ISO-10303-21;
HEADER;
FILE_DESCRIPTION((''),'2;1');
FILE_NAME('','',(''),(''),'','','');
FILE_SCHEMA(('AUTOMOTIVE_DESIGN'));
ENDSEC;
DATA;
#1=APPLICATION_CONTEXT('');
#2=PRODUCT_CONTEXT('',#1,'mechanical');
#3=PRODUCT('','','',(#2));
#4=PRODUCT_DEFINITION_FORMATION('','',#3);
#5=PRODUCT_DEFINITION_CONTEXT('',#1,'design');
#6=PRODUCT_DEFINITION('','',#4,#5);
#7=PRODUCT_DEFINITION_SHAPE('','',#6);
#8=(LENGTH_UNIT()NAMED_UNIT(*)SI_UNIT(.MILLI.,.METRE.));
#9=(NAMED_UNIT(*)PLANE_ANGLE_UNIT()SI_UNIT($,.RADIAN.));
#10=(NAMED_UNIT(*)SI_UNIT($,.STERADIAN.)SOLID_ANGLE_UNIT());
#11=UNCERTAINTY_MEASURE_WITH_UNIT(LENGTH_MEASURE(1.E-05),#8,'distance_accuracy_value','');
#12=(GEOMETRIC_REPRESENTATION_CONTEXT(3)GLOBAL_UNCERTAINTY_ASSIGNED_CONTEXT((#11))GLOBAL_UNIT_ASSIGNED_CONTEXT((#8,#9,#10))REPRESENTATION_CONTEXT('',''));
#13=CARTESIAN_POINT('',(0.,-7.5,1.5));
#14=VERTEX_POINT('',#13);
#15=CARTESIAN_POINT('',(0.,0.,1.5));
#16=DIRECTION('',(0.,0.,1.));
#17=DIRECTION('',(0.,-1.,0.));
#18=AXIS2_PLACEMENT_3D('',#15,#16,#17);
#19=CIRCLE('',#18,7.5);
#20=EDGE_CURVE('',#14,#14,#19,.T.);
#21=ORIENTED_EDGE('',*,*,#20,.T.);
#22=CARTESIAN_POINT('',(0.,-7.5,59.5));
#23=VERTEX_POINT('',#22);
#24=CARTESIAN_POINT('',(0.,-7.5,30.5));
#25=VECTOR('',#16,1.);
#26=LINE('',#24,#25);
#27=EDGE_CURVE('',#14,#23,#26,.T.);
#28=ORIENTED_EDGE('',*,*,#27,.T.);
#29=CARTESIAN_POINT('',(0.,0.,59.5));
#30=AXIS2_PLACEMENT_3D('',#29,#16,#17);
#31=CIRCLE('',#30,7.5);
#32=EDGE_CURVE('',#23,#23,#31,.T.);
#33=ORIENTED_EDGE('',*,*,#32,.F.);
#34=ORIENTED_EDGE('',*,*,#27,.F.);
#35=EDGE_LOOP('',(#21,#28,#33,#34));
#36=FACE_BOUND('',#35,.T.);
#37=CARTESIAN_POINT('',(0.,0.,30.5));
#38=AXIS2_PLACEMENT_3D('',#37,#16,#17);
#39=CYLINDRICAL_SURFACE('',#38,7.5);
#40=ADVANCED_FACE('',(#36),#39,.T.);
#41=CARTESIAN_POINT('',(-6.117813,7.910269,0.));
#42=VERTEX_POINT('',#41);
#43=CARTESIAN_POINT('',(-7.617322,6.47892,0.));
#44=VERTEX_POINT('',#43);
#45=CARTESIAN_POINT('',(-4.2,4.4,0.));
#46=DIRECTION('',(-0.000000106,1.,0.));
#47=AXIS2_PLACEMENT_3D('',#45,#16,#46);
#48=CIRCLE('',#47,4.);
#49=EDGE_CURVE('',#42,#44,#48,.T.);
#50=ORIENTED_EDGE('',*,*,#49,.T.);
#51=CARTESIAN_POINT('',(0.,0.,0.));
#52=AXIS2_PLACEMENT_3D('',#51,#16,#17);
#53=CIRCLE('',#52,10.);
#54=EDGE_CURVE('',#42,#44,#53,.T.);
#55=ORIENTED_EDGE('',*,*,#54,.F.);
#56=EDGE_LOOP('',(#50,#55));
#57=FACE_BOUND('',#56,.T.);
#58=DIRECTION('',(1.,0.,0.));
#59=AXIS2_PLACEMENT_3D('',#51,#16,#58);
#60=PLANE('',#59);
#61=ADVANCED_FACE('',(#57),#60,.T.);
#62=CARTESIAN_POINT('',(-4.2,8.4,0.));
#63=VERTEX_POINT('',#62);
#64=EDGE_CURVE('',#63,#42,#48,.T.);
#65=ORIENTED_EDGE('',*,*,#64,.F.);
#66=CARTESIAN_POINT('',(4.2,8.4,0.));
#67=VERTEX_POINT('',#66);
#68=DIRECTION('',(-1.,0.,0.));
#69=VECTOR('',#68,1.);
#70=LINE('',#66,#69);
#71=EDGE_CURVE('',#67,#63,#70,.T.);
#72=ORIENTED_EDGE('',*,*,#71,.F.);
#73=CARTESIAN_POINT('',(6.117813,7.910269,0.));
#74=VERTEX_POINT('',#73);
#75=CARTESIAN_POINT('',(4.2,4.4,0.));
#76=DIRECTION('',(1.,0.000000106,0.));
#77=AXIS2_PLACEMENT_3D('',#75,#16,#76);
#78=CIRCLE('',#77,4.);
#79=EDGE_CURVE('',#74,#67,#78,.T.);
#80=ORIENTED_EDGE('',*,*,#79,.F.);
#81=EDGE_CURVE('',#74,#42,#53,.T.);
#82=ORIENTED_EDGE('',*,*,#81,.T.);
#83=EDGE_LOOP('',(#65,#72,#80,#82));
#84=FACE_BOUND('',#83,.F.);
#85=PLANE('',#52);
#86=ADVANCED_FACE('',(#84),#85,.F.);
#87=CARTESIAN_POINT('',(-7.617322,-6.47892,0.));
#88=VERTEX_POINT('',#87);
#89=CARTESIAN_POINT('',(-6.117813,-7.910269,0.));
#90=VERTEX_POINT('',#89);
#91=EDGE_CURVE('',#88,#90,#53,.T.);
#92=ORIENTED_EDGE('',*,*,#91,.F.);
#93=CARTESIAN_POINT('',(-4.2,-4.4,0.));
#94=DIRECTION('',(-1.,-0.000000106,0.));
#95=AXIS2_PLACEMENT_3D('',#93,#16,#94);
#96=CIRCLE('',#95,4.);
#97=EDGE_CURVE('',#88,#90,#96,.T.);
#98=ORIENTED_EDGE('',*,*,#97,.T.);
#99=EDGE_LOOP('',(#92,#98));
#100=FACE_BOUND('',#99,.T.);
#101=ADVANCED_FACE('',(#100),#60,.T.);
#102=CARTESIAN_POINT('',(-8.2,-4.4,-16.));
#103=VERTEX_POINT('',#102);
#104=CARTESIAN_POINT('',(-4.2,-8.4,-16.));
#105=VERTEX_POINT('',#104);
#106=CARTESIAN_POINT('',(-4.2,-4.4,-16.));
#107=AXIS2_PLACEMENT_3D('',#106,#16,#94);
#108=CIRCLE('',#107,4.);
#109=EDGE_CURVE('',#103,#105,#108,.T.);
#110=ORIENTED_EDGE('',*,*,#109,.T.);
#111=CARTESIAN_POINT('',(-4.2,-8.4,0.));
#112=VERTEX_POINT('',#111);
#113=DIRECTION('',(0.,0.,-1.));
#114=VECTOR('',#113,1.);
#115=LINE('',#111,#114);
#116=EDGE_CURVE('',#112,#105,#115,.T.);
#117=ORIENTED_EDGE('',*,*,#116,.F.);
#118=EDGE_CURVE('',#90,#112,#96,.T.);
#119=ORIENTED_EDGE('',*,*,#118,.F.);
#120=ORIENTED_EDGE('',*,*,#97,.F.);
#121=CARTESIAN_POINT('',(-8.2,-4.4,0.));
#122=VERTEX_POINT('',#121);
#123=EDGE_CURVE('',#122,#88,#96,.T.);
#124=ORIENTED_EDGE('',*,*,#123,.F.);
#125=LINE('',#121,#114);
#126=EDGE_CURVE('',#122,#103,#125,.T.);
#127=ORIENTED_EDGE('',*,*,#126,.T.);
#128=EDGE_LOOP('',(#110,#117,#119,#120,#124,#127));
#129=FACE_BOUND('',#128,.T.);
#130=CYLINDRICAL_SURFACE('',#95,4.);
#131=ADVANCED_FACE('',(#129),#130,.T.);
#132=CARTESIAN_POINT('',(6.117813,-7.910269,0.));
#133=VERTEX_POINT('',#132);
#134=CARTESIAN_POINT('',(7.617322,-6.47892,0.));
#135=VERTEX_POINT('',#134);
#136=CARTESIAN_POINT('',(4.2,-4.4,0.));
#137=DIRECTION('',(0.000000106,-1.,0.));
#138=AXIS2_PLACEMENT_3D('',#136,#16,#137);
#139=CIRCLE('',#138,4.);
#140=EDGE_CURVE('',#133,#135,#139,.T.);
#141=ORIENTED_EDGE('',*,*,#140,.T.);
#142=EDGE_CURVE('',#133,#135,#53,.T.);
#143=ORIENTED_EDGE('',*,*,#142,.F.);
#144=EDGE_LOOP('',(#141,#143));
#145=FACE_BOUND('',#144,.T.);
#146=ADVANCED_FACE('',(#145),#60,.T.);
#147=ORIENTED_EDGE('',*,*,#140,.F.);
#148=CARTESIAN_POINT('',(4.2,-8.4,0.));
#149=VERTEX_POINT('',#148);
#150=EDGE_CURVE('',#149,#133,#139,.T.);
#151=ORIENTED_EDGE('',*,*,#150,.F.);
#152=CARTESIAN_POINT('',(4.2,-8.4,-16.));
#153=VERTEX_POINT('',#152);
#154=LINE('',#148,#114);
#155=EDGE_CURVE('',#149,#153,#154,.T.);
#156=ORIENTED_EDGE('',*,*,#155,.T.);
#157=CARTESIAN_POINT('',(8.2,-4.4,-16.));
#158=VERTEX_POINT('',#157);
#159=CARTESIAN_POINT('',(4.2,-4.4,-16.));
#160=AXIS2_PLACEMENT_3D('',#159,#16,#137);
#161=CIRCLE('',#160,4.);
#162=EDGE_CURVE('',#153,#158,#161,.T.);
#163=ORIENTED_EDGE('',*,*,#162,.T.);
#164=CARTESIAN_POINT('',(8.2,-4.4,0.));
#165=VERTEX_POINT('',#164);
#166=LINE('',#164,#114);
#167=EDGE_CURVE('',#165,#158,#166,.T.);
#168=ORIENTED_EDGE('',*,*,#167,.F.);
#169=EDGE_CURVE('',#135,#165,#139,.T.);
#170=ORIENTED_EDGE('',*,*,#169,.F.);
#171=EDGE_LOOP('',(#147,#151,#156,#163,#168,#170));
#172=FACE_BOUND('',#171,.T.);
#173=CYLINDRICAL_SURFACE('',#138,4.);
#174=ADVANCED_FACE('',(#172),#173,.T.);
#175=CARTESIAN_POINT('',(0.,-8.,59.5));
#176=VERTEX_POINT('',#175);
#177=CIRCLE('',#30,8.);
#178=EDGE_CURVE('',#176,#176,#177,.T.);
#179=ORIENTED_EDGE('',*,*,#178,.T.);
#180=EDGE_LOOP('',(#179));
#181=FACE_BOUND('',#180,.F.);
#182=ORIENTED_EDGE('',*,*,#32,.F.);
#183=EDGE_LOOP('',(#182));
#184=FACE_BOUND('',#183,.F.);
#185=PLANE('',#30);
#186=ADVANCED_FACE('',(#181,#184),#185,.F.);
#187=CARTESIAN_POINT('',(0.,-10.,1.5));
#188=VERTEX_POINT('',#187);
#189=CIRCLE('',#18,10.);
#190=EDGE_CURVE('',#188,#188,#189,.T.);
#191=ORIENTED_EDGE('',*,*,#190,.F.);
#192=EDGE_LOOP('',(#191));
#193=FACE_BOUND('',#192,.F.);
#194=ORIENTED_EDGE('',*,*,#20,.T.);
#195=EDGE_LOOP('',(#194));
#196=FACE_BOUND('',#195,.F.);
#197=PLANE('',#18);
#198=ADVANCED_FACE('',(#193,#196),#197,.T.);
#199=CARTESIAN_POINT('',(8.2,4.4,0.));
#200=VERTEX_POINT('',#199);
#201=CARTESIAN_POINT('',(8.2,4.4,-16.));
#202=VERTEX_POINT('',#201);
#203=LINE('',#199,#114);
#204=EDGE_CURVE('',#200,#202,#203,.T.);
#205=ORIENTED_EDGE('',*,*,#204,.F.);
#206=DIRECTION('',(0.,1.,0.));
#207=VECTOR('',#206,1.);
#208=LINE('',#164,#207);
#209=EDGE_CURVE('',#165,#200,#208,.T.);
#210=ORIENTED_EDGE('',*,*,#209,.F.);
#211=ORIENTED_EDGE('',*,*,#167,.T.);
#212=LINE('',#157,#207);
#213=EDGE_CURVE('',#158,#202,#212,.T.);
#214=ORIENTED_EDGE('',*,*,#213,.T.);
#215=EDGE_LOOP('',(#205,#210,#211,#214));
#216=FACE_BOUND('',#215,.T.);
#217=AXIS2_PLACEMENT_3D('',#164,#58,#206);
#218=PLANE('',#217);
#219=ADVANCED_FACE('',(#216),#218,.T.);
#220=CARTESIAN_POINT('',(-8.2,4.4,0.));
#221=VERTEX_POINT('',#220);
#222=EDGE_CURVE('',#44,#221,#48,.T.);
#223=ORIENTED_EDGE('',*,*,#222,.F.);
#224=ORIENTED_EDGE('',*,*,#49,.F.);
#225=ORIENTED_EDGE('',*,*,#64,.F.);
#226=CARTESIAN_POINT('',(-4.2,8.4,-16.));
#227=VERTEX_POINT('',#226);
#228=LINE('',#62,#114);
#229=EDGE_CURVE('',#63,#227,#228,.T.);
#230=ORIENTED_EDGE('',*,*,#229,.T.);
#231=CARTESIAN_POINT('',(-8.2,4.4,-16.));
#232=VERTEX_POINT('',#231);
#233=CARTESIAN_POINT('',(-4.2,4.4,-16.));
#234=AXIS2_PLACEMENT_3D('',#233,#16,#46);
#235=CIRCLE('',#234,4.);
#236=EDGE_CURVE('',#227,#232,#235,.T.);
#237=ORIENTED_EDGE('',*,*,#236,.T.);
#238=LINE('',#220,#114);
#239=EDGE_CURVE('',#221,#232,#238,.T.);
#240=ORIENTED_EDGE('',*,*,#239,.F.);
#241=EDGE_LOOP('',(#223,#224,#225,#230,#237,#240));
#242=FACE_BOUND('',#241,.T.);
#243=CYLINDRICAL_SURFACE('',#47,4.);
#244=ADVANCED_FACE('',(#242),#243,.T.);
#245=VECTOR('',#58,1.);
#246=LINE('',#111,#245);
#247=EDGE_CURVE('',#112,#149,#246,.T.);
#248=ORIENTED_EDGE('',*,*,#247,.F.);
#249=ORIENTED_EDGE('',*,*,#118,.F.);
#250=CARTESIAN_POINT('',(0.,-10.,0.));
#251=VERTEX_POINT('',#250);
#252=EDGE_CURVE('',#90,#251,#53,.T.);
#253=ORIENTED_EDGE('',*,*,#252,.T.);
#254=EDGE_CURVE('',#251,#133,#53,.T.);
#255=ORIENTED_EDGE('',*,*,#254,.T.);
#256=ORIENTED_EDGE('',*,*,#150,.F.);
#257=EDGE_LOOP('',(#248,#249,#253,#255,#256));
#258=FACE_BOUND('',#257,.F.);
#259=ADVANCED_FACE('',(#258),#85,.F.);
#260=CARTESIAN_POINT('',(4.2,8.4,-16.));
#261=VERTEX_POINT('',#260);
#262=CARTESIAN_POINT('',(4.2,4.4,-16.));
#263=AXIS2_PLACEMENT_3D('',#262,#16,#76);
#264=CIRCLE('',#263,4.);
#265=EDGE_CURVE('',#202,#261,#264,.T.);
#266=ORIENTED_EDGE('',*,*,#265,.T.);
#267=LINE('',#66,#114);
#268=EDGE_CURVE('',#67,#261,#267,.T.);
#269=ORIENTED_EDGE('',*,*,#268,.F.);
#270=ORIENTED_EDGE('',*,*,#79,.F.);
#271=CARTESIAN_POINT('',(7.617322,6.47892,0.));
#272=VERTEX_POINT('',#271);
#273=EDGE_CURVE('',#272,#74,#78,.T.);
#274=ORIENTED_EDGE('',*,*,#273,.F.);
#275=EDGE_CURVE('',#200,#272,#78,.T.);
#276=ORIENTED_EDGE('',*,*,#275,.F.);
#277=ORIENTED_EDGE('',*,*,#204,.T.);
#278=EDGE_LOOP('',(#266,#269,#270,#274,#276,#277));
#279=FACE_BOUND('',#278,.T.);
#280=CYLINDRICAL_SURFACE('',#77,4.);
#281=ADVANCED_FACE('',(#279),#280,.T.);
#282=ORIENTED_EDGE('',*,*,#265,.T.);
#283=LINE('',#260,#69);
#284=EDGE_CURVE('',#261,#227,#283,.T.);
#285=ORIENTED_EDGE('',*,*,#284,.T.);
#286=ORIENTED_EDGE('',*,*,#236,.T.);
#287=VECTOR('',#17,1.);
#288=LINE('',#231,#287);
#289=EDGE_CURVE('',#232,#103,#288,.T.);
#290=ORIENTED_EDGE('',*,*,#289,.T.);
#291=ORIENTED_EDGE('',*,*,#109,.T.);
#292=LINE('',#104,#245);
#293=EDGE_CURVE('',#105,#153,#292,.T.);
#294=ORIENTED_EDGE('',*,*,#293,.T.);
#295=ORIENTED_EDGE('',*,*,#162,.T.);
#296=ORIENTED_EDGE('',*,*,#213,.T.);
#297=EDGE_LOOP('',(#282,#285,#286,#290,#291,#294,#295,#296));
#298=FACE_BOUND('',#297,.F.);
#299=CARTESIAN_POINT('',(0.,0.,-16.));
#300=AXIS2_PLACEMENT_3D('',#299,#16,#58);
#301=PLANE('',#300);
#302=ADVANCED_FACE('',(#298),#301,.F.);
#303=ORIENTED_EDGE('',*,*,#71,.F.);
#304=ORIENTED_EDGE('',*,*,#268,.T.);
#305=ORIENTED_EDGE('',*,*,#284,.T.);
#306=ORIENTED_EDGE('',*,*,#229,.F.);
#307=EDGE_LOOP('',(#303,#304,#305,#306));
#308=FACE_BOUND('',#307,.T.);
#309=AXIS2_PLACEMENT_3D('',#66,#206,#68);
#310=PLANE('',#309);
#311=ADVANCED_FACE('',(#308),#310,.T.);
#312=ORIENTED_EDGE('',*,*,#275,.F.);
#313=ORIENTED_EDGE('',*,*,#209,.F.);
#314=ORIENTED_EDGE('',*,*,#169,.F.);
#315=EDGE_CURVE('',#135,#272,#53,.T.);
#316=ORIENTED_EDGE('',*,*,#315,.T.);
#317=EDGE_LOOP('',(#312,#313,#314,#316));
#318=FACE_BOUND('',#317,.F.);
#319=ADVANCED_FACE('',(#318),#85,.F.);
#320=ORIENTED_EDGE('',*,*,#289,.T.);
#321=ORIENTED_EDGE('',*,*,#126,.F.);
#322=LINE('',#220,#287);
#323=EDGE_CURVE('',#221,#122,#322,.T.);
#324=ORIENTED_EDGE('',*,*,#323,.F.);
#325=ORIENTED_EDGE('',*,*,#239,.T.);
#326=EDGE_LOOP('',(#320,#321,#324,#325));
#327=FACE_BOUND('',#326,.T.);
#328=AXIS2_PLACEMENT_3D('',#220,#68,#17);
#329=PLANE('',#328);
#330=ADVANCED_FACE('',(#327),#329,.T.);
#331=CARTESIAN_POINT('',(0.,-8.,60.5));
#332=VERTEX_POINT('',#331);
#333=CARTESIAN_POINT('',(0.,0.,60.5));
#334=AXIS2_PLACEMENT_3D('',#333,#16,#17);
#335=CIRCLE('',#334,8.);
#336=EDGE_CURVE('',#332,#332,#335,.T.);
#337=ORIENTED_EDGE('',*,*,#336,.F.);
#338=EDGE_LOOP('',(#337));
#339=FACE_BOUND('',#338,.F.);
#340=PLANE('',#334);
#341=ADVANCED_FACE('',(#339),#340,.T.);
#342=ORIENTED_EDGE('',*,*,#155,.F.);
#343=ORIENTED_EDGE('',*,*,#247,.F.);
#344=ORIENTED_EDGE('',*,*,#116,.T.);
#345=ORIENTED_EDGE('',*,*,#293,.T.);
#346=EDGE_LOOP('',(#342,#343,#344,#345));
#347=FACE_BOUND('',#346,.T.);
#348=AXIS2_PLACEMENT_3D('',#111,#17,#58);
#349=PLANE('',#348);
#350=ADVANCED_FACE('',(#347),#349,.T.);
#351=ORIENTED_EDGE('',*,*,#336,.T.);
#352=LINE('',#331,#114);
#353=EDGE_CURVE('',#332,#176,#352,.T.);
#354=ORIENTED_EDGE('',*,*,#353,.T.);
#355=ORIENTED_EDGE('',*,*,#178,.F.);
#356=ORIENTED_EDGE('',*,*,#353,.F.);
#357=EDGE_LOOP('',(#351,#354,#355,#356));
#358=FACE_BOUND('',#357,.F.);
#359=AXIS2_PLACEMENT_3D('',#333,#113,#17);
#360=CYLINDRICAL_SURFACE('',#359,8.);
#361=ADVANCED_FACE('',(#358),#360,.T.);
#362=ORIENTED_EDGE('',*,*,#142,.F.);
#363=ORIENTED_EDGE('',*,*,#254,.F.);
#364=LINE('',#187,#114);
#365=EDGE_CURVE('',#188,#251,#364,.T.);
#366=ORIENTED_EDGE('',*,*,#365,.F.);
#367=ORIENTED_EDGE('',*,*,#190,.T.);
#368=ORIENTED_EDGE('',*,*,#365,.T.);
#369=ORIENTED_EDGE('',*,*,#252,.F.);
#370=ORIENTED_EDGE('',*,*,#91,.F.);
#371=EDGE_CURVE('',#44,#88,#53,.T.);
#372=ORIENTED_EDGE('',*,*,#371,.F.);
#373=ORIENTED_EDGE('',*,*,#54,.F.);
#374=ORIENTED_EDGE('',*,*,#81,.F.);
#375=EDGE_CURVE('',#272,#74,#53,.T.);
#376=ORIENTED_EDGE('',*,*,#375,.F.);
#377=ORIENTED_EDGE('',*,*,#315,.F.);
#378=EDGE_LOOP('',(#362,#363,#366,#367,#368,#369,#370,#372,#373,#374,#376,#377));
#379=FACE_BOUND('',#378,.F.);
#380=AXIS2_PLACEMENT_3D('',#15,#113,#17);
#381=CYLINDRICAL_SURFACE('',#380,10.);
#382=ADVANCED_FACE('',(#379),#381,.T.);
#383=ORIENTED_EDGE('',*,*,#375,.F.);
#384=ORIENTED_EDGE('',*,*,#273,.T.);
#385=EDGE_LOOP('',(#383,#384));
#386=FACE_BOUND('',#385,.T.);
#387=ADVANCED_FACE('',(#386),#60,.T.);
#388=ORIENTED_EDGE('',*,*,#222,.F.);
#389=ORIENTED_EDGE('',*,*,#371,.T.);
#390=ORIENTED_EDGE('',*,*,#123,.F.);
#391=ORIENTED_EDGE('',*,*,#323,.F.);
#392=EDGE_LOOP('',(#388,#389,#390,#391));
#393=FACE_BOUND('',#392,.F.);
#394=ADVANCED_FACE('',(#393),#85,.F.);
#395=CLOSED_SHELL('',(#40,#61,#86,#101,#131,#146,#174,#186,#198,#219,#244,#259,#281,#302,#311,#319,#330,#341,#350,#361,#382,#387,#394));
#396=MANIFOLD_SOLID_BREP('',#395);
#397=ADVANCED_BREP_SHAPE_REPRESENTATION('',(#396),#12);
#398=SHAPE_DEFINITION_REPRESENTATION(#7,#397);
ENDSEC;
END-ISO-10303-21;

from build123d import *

# Parameters (mm, degrees)
F1_DEPTH = 16
F2_W     = 7.5
F2_H     = 58


with BuildPart() as f1:
    # F0 (on Top) → F1 (new body)
    with BuildSketch(Plane.XY):
        with BuildLine():
            Line((-4.2, -8.4), (4.2, -8.4))
            ThreePointArc((4.2, -8.4), (7.028427, -7.228427), (8.2, -4.4))
            Line((8.2, -4.4), (8.2, 4.4))
            ThreePointArc((8.2, 4.4), (7.028427, 7.228427), (4.2, 8.4))
            Line((4.2, 8.4), (-4.2, 8.4))
            ThreePointArc((-4.2, 8.4), (-7.028427, 7.228427), (-8.2, 4.4))
            Line((-8.2, 4.4), (-8.2, -4.4))
            ThreePointArc((-8.2, -4.4), (-7.028427, -7.228427), (-4.2, -8.4))
        make_face()
    extrude(amount=-F1_DEPTH)

    # F2 (on Right) → F3 (revolve)
    with BuildSketch(Plane.YZ):
        Polygon((-10, 0), (0, 0), (0, 1.5), (-7.5, 1.5), (-10, 1.5), align=None)
        with Locations((-3.75, 30.5)):
            Rectangle(F2_W, F2_H)
        Polygon((-7.5, 59.5), (0, 59.5), (0, 60.5), (-8, 60.5), (-8, 59.5), align=None)
    revolve(axis=Axis((0, 0, 30.5), (0, 0, 1)))


solid = f1.part
